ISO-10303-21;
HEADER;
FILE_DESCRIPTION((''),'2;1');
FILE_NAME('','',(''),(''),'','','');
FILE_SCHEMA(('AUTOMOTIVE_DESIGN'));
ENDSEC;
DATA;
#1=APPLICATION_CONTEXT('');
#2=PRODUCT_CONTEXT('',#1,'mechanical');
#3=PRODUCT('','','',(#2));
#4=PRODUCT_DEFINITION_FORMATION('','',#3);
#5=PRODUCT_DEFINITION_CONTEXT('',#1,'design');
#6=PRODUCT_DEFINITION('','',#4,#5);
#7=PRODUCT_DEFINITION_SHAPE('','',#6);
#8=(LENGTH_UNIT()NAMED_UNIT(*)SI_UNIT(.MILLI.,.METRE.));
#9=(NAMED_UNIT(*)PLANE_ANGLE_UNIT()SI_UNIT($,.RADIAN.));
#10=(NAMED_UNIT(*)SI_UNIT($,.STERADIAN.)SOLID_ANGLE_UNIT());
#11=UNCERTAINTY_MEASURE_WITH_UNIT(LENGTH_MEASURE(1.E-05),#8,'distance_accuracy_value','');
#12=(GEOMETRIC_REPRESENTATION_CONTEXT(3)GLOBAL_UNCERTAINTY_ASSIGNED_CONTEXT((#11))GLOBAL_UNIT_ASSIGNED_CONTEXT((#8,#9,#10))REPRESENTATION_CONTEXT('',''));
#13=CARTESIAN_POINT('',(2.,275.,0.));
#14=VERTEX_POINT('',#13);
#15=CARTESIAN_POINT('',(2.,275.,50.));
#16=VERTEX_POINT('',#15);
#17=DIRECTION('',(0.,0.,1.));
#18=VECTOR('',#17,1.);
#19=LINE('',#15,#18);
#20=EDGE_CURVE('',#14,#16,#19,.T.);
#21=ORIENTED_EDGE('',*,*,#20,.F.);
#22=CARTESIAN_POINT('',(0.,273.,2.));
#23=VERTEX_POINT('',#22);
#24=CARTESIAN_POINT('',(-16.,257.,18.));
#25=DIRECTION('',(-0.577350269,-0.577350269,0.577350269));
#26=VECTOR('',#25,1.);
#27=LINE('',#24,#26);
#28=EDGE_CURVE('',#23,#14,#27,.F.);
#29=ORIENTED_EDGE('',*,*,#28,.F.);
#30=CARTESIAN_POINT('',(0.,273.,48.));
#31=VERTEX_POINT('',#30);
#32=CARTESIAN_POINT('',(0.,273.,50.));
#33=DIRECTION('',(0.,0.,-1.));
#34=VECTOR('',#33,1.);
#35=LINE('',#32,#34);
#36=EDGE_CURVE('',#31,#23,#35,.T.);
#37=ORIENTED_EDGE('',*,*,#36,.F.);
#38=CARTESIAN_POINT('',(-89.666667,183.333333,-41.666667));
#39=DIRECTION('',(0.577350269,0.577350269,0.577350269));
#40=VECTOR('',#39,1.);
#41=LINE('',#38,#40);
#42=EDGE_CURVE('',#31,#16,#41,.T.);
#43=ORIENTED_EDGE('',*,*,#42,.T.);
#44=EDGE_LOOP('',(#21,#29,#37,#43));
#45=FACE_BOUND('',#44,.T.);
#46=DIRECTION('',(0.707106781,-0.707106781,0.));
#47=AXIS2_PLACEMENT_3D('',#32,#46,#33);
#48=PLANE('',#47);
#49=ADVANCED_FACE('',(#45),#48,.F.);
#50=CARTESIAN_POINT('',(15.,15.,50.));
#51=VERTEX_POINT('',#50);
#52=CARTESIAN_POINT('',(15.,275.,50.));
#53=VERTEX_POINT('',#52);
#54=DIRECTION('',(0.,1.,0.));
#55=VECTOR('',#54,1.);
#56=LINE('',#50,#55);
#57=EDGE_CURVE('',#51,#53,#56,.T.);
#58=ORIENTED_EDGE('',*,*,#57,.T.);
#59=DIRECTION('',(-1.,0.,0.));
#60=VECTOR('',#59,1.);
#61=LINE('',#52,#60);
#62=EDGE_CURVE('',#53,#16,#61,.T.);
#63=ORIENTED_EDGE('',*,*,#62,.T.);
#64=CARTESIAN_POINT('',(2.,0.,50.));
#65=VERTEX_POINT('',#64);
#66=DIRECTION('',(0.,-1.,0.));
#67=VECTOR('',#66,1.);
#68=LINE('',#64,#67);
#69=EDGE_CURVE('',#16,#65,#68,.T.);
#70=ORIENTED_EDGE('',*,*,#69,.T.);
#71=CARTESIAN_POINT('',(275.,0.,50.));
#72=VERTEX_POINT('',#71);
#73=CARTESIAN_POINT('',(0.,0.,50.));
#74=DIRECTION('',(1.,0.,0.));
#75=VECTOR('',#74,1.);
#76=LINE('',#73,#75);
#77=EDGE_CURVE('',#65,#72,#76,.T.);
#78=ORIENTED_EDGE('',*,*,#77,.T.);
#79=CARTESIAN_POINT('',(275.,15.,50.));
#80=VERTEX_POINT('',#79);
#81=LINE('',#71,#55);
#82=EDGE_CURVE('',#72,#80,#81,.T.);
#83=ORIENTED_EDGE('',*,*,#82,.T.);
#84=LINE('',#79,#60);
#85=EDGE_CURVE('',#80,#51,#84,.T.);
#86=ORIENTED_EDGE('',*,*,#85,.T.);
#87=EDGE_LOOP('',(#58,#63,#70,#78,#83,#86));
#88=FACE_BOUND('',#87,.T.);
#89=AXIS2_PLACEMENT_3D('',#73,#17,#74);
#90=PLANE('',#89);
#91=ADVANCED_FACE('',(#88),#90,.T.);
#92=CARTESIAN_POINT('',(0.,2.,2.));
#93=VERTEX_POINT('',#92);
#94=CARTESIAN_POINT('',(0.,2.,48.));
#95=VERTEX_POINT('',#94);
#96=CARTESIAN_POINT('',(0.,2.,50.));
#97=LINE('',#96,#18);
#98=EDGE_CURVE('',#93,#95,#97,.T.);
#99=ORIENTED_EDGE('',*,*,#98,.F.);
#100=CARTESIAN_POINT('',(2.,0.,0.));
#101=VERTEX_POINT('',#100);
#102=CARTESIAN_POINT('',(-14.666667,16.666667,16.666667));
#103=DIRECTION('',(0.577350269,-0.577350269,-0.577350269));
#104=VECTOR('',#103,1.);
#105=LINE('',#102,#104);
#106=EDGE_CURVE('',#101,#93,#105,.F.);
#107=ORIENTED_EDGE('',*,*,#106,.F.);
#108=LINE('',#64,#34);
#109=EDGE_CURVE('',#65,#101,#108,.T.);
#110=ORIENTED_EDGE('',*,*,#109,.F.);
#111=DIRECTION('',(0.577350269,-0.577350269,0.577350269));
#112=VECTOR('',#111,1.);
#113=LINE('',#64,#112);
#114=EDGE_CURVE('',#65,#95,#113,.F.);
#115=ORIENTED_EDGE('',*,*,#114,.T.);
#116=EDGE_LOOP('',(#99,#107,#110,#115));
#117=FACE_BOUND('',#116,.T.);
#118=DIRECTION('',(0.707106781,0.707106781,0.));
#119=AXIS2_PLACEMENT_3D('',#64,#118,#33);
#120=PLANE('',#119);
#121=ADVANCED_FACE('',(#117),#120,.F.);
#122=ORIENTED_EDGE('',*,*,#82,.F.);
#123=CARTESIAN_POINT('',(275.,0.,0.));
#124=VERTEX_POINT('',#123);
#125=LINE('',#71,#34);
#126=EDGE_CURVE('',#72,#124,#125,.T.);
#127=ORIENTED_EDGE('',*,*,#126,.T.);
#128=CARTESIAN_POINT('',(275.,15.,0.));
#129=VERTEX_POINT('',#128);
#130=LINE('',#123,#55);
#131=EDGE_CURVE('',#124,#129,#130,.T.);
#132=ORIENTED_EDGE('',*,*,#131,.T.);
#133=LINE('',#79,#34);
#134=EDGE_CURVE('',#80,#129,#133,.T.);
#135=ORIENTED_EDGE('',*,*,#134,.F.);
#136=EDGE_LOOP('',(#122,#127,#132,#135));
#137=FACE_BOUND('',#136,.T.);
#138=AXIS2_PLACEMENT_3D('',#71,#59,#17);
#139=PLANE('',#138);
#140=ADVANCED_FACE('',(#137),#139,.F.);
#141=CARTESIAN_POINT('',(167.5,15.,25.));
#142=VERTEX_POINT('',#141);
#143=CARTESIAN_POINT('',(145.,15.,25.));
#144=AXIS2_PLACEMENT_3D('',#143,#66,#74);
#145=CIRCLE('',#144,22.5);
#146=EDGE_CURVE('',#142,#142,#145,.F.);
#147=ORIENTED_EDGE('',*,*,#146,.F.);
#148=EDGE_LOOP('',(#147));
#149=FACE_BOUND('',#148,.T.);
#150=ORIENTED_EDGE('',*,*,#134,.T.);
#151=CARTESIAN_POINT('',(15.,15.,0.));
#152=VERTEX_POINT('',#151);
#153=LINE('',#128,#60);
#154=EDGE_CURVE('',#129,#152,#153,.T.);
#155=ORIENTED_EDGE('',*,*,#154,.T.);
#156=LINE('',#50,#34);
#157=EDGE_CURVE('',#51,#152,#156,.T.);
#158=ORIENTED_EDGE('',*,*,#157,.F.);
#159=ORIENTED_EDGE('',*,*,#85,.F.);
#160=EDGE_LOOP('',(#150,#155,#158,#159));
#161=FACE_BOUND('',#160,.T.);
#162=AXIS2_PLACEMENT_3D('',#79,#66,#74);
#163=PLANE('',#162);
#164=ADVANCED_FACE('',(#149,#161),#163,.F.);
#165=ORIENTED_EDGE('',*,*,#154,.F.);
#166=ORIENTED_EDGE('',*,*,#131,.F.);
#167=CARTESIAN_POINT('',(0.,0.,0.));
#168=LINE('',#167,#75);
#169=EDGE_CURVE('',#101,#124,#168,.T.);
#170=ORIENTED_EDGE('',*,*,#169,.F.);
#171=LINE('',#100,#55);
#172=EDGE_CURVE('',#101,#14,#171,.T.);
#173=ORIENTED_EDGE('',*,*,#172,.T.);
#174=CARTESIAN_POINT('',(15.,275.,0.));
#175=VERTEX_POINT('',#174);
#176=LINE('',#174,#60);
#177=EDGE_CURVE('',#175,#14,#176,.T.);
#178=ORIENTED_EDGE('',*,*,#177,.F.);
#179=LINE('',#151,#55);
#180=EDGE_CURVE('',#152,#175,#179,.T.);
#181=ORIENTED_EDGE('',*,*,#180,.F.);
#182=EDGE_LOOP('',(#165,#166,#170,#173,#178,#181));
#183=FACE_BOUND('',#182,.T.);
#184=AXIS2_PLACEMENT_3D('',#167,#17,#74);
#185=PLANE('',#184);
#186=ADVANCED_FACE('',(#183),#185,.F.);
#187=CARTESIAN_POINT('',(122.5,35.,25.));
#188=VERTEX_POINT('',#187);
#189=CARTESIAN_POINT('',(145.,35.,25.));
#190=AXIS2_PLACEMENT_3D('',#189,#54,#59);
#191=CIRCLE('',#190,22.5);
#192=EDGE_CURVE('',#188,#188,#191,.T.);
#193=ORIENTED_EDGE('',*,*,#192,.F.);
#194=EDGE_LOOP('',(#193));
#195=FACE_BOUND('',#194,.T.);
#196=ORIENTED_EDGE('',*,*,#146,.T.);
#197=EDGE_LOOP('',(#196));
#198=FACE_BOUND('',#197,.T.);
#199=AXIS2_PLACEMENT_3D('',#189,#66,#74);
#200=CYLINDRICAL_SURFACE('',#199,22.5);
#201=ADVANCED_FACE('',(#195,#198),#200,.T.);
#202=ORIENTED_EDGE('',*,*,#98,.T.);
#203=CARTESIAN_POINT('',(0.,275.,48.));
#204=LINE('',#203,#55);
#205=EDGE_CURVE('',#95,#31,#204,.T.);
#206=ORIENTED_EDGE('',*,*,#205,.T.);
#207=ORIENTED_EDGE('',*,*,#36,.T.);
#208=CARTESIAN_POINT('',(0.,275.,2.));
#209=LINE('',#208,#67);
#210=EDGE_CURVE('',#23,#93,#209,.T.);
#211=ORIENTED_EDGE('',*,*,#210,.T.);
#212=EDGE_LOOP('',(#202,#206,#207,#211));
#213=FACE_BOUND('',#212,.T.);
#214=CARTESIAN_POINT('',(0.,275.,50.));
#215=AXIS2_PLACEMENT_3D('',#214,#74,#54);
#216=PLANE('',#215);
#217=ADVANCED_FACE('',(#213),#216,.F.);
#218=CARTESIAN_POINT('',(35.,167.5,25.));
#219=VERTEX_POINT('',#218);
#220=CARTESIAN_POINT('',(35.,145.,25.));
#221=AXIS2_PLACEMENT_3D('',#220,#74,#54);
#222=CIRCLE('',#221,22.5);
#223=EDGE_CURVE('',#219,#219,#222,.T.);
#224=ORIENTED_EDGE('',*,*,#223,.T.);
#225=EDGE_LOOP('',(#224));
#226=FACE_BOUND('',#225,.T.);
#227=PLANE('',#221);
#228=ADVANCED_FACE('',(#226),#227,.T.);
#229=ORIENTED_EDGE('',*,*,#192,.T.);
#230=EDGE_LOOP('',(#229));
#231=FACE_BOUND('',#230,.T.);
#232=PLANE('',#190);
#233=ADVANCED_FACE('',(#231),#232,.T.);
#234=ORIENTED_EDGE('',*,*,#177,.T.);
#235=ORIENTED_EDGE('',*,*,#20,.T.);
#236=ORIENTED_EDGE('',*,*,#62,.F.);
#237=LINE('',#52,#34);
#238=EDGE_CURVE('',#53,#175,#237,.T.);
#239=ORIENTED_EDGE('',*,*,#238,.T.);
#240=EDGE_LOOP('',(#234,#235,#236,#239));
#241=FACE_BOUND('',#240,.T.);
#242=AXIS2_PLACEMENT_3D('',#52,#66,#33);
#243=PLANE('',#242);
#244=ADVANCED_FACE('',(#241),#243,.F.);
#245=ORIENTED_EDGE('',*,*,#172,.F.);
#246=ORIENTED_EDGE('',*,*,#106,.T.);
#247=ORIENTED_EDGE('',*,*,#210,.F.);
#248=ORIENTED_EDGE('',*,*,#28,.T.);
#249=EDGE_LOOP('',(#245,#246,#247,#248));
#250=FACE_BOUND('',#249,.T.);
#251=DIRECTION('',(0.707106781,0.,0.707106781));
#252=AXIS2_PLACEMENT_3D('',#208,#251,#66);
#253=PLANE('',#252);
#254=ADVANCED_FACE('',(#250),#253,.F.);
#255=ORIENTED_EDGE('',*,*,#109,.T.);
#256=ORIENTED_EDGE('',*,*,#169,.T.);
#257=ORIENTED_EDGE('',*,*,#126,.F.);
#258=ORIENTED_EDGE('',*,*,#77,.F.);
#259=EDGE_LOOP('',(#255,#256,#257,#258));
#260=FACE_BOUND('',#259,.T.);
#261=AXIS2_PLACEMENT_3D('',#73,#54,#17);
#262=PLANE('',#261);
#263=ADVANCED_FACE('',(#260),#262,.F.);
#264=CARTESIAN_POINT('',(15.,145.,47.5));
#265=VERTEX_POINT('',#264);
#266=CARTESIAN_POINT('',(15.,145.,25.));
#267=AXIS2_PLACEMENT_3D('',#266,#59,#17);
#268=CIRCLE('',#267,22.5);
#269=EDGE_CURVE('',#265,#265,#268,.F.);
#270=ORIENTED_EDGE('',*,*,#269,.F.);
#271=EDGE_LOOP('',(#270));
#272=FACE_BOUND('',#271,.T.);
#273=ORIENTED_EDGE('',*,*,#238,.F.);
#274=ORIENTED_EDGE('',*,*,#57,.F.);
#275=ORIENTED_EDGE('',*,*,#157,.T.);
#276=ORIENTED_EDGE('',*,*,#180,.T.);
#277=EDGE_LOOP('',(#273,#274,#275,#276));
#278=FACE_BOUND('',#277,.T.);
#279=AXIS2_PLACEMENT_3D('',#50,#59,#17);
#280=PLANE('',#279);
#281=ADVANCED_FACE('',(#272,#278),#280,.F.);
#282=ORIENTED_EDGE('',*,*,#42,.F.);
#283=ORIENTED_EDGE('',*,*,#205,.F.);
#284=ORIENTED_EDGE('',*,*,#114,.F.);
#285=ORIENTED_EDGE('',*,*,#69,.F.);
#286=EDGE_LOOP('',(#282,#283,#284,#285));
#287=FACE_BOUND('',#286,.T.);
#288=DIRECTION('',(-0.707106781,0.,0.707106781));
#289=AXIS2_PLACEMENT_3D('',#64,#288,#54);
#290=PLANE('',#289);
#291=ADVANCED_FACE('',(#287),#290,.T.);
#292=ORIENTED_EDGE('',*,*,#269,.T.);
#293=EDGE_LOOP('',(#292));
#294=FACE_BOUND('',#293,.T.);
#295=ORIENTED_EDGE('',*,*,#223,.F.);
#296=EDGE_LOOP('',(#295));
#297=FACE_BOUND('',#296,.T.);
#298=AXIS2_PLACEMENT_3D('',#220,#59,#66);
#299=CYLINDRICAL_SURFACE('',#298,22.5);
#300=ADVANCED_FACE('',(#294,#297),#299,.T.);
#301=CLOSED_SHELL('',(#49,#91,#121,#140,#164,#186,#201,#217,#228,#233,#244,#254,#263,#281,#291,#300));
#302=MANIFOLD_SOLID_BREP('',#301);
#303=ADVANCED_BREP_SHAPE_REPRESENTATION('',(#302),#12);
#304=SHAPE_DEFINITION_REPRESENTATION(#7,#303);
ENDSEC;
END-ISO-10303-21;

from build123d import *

# Parameters (mm, degrees)
BOSS_EXTRUDE1_DEPTH = 50
SKETCH2_R           = 22.5
BOSS_EXTRUDE2_DEPTH = 20
SKETCH3_R           = 22.5
BOSS_EXTRUDE3_DEPTH = 20
CHAMFER2_SIZE       = 2


with BuildPart() as part:
    # Sketch1 → Boss-Extrude1 (new body)
    with BuildSketch(Plane.XY):
        Polygon((0, 275), (0, 0), (275, 0), (275, 15), (15, 15), (15, 275), align=None)
    extrude(amount=BOSS_EXTRUDE1_DEPTH)

    # Sketch2 → Boss-Extrude2 (add)
    with BuildSketch(Plane(origin=(0, 15, 0), x_dir=(1, 0, 0), z_dir=(0, 1, 0))):
        with Locations((145, -25)):
            Circle(SKETCH2_R)
    extrude(amount=BOSS_EXTRUDE2_DEPTH)

    # Sketch3 → Boss-Extrude3 (add)
    with BuildSketch(Plane(origin=(15, 0, 0), x_dir=(0, 0, -1), z_dir=(1, 0, 0))):
        with Locations(Location((-25, 145, 0), (0, 0, 180))):
            Circle(SKETCH3_R)
    extrude(amount=BOSS_EXTRUDE3_DEPTH)

    # Chamfer2
    chamfer2_edges = [part.edges().sort_by_distance(p)[0] for p in [
        (0, 0, 25),
        (0, 275, 25),
        (0, 137.5, 0),
        (0, 137.5, 50),
    ]]
    chamfer(chamfer2_edges, length=CHAMFER2_SIZE)


solid = part.part
